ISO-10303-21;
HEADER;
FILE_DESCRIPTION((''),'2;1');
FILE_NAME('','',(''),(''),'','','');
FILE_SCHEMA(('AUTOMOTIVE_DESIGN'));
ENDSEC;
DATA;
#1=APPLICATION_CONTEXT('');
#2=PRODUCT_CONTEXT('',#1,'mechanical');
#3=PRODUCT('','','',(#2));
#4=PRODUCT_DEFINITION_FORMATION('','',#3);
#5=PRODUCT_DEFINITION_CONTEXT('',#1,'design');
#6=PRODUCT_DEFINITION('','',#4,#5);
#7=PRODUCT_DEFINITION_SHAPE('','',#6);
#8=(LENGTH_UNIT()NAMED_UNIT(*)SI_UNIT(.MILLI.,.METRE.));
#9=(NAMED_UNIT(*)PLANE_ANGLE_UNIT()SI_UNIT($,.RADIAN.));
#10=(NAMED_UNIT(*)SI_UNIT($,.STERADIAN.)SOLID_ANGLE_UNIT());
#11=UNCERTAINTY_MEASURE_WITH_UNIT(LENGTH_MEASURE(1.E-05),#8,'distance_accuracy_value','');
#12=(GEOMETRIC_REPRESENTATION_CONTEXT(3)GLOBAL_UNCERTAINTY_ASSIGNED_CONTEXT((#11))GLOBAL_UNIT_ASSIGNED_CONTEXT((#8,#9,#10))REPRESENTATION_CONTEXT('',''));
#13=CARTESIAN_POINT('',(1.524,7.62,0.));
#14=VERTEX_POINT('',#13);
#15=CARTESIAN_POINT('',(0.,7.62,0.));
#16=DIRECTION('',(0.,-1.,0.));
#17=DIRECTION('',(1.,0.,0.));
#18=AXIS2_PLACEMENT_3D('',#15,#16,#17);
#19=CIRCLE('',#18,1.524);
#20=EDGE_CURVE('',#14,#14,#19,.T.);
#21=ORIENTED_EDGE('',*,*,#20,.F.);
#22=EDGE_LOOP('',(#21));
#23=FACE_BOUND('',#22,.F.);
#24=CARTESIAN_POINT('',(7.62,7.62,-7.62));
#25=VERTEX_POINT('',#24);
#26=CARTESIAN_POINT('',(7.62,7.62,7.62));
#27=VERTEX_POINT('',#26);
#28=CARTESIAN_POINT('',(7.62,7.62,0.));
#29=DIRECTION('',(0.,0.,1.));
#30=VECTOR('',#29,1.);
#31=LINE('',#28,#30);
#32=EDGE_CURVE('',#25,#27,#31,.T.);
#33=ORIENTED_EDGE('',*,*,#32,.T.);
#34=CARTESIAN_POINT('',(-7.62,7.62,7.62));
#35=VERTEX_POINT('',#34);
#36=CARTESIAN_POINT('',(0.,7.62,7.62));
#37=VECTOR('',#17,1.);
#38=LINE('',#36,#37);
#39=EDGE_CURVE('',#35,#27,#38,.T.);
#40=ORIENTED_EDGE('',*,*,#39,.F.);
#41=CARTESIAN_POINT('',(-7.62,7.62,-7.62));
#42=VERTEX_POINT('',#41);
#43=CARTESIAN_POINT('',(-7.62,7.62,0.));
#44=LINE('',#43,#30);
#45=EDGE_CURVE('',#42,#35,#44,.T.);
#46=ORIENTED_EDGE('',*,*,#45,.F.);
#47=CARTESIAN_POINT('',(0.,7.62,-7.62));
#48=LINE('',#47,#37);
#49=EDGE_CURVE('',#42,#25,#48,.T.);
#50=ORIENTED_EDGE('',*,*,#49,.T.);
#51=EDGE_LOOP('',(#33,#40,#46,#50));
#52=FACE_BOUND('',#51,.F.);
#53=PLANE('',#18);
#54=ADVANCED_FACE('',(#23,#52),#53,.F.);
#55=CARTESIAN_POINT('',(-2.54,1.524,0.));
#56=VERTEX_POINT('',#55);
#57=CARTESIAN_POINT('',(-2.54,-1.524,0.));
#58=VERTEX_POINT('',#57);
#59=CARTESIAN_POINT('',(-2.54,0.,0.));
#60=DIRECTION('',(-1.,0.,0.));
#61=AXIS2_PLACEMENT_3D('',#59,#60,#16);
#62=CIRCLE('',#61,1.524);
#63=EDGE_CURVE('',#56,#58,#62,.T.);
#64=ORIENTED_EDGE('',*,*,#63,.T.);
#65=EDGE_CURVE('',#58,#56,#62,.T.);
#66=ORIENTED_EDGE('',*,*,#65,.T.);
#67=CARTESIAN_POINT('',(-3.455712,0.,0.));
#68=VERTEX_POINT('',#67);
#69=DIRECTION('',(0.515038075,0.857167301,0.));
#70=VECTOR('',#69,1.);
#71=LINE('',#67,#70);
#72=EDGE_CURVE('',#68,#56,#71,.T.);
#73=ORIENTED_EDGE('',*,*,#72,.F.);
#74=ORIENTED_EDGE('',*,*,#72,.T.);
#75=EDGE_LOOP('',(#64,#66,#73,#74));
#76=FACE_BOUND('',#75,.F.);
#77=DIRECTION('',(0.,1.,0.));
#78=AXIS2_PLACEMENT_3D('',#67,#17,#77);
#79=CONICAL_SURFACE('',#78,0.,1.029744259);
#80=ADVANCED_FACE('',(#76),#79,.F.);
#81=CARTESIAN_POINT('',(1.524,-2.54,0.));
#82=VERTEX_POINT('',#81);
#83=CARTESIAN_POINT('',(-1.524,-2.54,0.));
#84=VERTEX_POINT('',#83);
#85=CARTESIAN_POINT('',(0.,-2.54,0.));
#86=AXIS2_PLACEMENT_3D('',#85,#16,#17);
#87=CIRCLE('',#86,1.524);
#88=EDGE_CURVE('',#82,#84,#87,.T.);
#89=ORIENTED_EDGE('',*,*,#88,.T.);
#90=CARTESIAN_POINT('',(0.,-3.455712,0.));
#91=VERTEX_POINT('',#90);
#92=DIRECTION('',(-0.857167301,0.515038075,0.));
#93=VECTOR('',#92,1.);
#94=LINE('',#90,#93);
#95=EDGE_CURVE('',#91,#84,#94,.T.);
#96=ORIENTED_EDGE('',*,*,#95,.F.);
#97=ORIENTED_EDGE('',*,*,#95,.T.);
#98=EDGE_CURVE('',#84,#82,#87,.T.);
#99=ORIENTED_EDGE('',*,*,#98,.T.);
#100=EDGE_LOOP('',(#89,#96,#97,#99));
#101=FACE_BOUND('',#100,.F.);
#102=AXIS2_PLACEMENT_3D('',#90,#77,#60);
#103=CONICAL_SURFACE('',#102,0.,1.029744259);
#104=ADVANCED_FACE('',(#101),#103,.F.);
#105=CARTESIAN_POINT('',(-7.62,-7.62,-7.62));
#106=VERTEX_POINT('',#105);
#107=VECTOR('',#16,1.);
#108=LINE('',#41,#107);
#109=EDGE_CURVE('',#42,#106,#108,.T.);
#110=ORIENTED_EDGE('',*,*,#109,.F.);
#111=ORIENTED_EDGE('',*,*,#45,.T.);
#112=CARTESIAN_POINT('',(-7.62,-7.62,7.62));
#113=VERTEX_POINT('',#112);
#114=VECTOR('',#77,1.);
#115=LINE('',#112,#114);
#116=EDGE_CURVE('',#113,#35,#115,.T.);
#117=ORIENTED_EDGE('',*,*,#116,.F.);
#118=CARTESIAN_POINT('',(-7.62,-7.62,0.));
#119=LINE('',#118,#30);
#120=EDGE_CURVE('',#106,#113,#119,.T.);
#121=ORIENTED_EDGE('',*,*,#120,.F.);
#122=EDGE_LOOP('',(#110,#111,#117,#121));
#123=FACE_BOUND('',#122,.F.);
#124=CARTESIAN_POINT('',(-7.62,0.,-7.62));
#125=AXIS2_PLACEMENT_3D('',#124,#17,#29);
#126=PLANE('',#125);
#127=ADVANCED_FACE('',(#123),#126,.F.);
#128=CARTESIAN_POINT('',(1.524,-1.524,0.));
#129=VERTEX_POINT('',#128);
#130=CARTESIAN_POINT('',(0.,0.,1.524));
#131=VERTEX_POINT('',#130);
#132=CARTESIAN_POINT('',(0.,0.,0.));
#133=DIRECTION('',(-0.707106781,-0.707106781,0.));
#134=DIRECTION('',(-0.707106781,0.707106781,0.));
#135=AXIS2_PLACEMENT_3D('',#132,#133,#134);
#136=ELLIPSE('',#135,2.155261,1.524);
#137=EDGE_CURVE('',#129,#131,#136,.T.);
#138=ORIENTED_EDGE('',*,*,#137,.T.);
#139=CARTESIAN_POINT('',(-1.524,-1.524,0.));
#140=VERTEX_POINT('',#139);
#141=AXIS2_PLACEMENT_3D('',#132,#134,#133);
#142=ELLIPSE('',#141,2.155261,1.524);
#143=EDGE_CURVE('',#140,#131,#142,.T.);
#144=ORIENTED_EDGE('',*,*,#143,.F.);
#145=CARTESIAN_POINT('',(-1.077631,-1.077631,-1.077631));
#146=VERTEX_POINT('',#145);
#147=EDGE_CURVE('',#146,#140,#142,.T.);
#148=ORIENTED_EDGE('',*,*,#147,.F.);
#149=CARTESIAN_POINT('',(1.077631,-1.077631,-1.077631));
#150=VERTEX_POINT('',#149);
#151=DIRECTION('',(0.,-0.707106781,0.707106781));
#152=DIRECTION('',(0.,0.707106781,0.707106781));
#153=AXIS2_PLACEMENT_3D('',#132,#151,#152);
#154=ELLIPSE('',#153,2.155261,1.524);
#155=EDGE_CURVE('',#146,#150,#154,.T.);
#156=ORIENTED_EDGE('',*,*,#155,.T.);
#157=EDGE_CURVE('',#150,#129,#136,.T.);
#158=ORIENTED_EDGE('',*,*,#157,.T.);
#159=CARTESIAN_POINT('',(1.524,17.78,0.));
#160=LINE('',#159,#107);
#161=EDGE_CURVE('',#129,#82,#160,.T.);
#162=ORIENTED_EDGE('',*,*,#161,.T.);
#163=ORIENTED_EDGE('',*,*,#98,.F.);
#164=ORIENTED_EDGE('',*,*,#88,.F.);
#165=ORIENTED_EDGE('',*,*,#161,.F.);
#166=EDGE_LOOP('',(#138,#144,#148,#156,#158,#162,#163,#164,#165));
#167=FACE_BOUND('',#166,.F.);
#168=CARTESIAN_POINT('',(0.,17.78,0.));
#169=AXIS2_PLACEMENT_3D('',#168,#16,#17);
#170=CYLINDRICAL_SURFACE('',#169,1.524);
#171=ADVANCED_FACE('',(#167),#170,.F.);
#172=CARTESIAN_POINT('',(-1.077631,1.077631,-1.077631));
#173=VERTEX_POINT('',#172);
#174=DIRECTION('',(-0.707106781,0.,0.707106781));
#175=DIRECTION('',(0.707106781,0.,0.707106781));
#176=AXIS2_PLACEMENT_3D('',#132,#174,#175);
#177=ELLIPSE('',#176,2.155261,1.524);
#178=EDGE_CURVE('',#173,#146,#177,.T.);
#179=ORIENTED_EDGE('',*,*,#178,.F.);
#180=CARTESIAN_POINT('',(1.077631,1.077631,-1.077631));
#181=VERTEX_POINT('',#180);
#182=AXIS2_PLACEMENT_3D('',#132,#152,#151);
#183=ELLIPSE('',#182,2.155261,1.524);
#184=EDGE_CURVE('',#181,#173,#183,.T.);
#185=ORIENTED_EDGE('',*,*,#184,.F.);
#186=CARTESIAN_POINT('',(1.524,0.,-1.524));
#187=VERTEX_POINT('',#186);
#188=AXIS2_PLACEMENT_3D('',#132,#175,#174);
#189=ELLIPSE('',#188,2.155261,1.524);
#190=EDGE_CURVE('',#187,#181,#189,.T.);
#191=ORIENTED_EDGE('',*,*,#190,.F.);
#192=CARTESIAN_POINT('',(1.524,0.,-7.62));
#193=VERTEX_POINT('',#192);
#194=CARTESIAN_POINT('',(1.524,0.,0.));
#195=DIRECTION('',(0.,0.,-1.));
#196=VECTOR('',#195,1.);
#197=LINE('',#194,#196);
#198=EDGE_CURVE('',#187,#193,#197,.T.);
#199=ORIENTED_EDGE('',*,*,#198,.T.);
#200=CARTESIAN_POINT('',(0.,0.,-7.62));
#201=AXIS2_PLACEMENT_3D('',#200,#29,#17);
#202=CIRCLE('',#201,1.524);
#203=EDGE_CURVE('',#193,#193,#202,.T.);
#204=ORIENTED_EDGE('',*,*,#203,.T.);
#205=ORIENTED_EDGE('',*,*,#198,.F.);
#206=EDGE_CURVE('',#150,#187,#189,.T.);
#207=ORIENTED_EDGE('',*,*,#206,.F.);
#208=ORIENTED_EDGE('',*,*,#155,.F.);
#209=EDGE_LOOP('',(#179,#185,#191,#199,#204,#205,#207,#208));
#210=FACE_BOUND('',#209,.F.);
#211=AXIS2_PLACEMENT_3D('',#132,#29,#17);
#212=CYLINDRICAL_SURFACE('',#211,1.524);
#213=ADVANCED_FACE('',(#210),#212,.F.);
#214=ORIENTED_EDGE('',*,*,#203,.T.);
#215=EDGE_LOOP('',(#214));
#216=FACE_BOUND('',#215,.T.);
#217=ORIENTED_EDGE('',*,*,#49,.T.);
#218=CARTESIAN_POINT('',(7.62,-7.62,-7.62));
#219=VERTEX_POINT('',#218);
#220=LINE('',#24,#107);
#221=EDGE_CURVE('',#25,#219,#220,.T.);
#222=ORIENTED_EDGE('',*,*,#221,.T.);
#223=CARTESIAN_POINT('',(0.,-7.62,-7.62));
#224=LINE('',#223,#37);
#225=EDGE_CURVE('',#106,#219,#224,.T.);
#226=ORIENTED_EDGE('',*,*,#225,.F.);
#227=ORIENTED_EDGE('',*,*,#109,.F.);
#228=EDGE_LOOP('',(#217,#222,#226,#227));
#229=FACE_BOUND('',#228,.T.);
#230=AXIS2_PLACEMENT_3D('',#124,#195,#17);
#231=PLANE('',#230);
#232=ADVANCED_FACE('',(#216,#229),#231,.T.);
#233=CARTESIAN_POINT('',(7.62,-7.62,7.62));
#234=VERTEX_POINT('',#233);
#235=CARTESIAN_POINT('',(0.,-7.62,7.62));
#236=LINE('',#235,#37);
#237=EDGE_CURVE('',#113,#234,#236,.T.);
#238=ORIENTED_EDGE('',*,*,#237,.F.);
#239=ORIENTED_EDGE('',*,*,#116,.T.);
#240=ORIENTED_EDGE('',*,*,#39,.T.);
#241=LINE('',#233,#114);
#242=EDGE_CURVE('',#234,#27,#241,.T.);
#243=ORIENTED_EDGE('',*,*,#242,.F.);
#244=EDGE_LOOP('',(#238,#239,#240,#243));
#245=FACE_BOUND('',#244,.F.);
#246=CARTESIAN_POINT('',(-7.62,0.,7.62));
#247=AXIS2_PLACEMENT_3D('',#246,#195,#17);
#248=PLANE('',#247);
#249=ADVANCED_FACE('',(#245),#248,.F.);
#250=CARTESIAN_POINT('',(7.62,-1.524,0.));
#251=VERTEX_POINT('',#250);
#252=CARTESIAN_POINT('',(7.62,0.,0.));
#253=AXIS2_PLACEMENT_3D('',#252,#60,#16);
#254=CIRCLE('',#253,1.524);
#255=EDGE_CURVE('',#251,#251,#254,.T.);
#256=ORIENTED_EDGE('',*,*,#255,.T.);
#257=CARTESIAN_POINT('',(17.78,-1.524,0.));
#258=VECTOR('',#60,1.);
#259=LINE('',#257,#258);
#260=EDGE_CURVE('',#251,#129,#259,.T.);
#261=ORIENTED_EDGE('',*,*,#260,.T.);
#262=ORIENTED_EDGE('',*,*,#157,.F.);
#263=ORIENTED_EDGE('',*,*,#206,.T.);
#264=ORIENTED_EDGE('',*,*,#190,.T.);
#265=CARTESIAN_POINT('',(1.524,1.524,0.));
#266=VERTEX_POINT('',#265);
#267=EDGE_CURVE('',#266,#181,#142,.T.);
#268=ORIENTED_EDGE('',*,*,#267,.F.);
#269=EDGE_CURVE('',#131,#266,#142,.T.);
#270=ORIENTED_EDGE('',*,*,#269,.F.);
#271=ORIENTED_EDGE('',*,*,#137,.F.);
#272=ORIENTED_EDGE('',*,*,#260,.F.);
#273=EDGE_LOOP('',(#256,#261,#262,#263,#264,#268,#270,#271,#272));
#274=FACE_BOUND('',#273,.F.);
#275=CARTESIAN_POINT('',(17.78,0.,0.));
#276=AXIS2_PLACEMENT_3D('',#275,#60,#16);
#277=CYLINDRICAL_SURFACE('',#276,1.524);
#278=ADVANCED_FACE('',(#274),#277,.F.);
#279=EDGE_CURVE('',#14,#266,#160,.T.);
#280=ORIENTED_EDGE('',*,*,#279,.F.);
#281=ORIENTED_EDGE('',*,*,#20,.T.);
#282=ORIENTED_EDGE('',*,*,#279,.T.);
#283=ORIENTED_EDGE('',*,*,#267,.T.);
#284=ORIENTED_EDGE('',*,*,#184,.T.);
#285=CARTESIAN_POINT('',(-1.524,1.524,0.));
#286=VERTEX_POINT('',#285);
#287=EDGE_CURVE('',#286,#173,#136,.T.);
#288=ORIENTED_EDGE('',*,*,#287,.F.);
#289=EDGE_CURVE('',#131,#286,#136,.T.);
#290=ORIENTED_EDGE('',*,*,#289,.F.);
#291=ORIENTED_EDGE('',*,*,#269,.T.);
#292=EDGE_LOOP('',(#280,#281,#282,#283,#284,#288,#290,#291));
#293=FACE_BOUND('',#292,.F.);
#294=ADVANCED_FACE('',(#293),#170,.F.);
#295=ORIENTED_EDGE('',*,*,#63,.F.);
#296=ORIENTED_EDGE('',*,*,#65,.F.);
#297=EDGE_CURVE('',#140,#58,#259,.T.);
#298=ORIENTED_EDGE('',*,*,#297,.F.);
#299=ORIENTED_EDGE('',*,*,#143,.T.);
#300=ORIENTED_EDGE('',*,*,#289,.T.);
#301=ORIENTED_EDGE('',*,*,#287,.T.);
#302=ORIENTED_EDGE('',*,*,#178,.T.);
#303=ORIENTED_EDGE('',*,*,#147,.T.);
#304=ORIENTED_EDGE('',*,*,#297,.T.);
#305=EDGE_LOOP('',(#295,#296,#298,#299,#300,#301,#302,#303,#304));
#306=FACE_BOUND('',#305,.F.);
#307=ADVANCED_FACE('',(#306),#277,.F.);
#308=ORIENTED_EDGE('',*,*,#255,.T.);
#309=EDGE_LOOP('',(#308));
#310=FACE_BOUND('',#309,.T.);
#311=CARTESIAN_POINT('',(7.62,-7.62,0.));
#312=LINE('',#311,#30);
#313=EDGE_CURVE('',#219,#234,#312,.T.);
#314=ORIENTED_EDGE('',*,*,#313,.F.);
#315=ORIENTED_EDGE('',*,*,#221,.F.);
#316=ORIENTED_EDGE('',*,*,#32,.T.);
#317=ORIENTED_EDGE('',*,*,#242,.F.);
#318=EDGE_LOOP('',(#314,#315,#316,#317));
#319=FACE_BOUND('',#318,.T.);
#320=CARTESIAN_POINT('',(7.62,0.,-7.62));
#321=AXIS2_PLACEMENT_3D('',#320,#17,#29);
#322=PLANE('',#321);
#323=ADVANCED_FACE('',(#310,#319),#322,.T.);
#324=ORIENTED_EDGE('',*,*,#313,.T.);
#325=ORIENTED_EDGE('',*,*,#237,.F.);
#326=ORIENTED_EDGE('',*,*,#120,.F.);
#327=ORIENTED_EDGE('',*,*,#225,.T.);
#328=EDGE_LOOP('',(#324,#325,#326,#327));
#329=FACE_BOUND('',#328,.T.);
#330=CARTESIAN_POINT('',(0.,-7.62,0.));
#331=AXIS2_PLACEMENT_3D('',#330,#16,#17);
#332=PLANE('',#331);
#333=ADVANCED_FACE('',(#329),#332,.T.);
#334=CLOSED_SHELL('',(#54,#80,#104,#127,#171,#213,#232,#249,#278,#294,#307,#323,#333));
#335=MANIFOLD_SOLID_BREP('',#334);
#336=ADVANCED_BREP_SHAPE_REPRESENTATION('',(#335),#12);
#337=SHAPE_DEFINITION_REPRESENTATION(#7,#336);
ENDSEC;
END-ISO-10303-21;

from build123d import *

# Parameters (mm, degrees)
F0_W     = 15.24
F0_H     = 15.24
F1_DEPTH = 7.62
F3_D     = 3.048
F3_DEPTH = 10.16
F3_TIP   = 0.9157115834
F5_D     = 3.048
F5_DEPTH = 10.16
F5_TIP   = 0.9157115834
F7_D     = 3.048
F7_DEPTH = 10.16
F7_TIP   = 0.9157115834


with BuildPart() as f1:
    # F0 (on Front) → F1 (new body, symmetric)
    with BuildSketch(Plane.XZ):
        Rectangle(F0_W, F0_H)
    extrude(amount=F1_DEPTH, both=True)

    # F3 (one way)
    with BuildSketch(Plane.XY):
        with Locations((0, 0)):
            Circle(F3_D / 2)
    extrude(amount=-F3_DEPTH, mode=Mode.SUBTRACT)
    with Locations(Plane.XY):
        with Locations((0, 0)):
            with Locations((0, 0, -(F3_DEPTH + F3_TIP / 2))):  # 118° drill point
                Cone(0, F3_D / 2, F3_TIP, mode=Mode.SUBTRACT)

    # F5
    with Locations(Plane.YZ.offset(7.62)):
        with Locations((0, 0)):
            Hole(F5_D / 2, depth=F5_DEPTH)
            with Locations((0, 0, -(F5_DEPTH + F5_TIP / 2))):  # 118° drill point
                Cone(0, F5_D / 2, F5_TIP, mode=Mode.SUBTRACT)

    # F7
    with Locations(Plane(origin=(0, 7.62, 0), x_dir=(-1, 0, 0), z_dir=(0, 1, 0))):
        with Locations((0, 0)):
            Hole(F7_D / 2, depth=F7_DEPTH)
            with Locations((0, 0, -(F7_DEPTH + F7_TIP / 2))):  # 118° drill point
                Cone(0, F7_D / 2, F7_TIP, mode=Mode.SUBTRACT)


solid = f1.part
